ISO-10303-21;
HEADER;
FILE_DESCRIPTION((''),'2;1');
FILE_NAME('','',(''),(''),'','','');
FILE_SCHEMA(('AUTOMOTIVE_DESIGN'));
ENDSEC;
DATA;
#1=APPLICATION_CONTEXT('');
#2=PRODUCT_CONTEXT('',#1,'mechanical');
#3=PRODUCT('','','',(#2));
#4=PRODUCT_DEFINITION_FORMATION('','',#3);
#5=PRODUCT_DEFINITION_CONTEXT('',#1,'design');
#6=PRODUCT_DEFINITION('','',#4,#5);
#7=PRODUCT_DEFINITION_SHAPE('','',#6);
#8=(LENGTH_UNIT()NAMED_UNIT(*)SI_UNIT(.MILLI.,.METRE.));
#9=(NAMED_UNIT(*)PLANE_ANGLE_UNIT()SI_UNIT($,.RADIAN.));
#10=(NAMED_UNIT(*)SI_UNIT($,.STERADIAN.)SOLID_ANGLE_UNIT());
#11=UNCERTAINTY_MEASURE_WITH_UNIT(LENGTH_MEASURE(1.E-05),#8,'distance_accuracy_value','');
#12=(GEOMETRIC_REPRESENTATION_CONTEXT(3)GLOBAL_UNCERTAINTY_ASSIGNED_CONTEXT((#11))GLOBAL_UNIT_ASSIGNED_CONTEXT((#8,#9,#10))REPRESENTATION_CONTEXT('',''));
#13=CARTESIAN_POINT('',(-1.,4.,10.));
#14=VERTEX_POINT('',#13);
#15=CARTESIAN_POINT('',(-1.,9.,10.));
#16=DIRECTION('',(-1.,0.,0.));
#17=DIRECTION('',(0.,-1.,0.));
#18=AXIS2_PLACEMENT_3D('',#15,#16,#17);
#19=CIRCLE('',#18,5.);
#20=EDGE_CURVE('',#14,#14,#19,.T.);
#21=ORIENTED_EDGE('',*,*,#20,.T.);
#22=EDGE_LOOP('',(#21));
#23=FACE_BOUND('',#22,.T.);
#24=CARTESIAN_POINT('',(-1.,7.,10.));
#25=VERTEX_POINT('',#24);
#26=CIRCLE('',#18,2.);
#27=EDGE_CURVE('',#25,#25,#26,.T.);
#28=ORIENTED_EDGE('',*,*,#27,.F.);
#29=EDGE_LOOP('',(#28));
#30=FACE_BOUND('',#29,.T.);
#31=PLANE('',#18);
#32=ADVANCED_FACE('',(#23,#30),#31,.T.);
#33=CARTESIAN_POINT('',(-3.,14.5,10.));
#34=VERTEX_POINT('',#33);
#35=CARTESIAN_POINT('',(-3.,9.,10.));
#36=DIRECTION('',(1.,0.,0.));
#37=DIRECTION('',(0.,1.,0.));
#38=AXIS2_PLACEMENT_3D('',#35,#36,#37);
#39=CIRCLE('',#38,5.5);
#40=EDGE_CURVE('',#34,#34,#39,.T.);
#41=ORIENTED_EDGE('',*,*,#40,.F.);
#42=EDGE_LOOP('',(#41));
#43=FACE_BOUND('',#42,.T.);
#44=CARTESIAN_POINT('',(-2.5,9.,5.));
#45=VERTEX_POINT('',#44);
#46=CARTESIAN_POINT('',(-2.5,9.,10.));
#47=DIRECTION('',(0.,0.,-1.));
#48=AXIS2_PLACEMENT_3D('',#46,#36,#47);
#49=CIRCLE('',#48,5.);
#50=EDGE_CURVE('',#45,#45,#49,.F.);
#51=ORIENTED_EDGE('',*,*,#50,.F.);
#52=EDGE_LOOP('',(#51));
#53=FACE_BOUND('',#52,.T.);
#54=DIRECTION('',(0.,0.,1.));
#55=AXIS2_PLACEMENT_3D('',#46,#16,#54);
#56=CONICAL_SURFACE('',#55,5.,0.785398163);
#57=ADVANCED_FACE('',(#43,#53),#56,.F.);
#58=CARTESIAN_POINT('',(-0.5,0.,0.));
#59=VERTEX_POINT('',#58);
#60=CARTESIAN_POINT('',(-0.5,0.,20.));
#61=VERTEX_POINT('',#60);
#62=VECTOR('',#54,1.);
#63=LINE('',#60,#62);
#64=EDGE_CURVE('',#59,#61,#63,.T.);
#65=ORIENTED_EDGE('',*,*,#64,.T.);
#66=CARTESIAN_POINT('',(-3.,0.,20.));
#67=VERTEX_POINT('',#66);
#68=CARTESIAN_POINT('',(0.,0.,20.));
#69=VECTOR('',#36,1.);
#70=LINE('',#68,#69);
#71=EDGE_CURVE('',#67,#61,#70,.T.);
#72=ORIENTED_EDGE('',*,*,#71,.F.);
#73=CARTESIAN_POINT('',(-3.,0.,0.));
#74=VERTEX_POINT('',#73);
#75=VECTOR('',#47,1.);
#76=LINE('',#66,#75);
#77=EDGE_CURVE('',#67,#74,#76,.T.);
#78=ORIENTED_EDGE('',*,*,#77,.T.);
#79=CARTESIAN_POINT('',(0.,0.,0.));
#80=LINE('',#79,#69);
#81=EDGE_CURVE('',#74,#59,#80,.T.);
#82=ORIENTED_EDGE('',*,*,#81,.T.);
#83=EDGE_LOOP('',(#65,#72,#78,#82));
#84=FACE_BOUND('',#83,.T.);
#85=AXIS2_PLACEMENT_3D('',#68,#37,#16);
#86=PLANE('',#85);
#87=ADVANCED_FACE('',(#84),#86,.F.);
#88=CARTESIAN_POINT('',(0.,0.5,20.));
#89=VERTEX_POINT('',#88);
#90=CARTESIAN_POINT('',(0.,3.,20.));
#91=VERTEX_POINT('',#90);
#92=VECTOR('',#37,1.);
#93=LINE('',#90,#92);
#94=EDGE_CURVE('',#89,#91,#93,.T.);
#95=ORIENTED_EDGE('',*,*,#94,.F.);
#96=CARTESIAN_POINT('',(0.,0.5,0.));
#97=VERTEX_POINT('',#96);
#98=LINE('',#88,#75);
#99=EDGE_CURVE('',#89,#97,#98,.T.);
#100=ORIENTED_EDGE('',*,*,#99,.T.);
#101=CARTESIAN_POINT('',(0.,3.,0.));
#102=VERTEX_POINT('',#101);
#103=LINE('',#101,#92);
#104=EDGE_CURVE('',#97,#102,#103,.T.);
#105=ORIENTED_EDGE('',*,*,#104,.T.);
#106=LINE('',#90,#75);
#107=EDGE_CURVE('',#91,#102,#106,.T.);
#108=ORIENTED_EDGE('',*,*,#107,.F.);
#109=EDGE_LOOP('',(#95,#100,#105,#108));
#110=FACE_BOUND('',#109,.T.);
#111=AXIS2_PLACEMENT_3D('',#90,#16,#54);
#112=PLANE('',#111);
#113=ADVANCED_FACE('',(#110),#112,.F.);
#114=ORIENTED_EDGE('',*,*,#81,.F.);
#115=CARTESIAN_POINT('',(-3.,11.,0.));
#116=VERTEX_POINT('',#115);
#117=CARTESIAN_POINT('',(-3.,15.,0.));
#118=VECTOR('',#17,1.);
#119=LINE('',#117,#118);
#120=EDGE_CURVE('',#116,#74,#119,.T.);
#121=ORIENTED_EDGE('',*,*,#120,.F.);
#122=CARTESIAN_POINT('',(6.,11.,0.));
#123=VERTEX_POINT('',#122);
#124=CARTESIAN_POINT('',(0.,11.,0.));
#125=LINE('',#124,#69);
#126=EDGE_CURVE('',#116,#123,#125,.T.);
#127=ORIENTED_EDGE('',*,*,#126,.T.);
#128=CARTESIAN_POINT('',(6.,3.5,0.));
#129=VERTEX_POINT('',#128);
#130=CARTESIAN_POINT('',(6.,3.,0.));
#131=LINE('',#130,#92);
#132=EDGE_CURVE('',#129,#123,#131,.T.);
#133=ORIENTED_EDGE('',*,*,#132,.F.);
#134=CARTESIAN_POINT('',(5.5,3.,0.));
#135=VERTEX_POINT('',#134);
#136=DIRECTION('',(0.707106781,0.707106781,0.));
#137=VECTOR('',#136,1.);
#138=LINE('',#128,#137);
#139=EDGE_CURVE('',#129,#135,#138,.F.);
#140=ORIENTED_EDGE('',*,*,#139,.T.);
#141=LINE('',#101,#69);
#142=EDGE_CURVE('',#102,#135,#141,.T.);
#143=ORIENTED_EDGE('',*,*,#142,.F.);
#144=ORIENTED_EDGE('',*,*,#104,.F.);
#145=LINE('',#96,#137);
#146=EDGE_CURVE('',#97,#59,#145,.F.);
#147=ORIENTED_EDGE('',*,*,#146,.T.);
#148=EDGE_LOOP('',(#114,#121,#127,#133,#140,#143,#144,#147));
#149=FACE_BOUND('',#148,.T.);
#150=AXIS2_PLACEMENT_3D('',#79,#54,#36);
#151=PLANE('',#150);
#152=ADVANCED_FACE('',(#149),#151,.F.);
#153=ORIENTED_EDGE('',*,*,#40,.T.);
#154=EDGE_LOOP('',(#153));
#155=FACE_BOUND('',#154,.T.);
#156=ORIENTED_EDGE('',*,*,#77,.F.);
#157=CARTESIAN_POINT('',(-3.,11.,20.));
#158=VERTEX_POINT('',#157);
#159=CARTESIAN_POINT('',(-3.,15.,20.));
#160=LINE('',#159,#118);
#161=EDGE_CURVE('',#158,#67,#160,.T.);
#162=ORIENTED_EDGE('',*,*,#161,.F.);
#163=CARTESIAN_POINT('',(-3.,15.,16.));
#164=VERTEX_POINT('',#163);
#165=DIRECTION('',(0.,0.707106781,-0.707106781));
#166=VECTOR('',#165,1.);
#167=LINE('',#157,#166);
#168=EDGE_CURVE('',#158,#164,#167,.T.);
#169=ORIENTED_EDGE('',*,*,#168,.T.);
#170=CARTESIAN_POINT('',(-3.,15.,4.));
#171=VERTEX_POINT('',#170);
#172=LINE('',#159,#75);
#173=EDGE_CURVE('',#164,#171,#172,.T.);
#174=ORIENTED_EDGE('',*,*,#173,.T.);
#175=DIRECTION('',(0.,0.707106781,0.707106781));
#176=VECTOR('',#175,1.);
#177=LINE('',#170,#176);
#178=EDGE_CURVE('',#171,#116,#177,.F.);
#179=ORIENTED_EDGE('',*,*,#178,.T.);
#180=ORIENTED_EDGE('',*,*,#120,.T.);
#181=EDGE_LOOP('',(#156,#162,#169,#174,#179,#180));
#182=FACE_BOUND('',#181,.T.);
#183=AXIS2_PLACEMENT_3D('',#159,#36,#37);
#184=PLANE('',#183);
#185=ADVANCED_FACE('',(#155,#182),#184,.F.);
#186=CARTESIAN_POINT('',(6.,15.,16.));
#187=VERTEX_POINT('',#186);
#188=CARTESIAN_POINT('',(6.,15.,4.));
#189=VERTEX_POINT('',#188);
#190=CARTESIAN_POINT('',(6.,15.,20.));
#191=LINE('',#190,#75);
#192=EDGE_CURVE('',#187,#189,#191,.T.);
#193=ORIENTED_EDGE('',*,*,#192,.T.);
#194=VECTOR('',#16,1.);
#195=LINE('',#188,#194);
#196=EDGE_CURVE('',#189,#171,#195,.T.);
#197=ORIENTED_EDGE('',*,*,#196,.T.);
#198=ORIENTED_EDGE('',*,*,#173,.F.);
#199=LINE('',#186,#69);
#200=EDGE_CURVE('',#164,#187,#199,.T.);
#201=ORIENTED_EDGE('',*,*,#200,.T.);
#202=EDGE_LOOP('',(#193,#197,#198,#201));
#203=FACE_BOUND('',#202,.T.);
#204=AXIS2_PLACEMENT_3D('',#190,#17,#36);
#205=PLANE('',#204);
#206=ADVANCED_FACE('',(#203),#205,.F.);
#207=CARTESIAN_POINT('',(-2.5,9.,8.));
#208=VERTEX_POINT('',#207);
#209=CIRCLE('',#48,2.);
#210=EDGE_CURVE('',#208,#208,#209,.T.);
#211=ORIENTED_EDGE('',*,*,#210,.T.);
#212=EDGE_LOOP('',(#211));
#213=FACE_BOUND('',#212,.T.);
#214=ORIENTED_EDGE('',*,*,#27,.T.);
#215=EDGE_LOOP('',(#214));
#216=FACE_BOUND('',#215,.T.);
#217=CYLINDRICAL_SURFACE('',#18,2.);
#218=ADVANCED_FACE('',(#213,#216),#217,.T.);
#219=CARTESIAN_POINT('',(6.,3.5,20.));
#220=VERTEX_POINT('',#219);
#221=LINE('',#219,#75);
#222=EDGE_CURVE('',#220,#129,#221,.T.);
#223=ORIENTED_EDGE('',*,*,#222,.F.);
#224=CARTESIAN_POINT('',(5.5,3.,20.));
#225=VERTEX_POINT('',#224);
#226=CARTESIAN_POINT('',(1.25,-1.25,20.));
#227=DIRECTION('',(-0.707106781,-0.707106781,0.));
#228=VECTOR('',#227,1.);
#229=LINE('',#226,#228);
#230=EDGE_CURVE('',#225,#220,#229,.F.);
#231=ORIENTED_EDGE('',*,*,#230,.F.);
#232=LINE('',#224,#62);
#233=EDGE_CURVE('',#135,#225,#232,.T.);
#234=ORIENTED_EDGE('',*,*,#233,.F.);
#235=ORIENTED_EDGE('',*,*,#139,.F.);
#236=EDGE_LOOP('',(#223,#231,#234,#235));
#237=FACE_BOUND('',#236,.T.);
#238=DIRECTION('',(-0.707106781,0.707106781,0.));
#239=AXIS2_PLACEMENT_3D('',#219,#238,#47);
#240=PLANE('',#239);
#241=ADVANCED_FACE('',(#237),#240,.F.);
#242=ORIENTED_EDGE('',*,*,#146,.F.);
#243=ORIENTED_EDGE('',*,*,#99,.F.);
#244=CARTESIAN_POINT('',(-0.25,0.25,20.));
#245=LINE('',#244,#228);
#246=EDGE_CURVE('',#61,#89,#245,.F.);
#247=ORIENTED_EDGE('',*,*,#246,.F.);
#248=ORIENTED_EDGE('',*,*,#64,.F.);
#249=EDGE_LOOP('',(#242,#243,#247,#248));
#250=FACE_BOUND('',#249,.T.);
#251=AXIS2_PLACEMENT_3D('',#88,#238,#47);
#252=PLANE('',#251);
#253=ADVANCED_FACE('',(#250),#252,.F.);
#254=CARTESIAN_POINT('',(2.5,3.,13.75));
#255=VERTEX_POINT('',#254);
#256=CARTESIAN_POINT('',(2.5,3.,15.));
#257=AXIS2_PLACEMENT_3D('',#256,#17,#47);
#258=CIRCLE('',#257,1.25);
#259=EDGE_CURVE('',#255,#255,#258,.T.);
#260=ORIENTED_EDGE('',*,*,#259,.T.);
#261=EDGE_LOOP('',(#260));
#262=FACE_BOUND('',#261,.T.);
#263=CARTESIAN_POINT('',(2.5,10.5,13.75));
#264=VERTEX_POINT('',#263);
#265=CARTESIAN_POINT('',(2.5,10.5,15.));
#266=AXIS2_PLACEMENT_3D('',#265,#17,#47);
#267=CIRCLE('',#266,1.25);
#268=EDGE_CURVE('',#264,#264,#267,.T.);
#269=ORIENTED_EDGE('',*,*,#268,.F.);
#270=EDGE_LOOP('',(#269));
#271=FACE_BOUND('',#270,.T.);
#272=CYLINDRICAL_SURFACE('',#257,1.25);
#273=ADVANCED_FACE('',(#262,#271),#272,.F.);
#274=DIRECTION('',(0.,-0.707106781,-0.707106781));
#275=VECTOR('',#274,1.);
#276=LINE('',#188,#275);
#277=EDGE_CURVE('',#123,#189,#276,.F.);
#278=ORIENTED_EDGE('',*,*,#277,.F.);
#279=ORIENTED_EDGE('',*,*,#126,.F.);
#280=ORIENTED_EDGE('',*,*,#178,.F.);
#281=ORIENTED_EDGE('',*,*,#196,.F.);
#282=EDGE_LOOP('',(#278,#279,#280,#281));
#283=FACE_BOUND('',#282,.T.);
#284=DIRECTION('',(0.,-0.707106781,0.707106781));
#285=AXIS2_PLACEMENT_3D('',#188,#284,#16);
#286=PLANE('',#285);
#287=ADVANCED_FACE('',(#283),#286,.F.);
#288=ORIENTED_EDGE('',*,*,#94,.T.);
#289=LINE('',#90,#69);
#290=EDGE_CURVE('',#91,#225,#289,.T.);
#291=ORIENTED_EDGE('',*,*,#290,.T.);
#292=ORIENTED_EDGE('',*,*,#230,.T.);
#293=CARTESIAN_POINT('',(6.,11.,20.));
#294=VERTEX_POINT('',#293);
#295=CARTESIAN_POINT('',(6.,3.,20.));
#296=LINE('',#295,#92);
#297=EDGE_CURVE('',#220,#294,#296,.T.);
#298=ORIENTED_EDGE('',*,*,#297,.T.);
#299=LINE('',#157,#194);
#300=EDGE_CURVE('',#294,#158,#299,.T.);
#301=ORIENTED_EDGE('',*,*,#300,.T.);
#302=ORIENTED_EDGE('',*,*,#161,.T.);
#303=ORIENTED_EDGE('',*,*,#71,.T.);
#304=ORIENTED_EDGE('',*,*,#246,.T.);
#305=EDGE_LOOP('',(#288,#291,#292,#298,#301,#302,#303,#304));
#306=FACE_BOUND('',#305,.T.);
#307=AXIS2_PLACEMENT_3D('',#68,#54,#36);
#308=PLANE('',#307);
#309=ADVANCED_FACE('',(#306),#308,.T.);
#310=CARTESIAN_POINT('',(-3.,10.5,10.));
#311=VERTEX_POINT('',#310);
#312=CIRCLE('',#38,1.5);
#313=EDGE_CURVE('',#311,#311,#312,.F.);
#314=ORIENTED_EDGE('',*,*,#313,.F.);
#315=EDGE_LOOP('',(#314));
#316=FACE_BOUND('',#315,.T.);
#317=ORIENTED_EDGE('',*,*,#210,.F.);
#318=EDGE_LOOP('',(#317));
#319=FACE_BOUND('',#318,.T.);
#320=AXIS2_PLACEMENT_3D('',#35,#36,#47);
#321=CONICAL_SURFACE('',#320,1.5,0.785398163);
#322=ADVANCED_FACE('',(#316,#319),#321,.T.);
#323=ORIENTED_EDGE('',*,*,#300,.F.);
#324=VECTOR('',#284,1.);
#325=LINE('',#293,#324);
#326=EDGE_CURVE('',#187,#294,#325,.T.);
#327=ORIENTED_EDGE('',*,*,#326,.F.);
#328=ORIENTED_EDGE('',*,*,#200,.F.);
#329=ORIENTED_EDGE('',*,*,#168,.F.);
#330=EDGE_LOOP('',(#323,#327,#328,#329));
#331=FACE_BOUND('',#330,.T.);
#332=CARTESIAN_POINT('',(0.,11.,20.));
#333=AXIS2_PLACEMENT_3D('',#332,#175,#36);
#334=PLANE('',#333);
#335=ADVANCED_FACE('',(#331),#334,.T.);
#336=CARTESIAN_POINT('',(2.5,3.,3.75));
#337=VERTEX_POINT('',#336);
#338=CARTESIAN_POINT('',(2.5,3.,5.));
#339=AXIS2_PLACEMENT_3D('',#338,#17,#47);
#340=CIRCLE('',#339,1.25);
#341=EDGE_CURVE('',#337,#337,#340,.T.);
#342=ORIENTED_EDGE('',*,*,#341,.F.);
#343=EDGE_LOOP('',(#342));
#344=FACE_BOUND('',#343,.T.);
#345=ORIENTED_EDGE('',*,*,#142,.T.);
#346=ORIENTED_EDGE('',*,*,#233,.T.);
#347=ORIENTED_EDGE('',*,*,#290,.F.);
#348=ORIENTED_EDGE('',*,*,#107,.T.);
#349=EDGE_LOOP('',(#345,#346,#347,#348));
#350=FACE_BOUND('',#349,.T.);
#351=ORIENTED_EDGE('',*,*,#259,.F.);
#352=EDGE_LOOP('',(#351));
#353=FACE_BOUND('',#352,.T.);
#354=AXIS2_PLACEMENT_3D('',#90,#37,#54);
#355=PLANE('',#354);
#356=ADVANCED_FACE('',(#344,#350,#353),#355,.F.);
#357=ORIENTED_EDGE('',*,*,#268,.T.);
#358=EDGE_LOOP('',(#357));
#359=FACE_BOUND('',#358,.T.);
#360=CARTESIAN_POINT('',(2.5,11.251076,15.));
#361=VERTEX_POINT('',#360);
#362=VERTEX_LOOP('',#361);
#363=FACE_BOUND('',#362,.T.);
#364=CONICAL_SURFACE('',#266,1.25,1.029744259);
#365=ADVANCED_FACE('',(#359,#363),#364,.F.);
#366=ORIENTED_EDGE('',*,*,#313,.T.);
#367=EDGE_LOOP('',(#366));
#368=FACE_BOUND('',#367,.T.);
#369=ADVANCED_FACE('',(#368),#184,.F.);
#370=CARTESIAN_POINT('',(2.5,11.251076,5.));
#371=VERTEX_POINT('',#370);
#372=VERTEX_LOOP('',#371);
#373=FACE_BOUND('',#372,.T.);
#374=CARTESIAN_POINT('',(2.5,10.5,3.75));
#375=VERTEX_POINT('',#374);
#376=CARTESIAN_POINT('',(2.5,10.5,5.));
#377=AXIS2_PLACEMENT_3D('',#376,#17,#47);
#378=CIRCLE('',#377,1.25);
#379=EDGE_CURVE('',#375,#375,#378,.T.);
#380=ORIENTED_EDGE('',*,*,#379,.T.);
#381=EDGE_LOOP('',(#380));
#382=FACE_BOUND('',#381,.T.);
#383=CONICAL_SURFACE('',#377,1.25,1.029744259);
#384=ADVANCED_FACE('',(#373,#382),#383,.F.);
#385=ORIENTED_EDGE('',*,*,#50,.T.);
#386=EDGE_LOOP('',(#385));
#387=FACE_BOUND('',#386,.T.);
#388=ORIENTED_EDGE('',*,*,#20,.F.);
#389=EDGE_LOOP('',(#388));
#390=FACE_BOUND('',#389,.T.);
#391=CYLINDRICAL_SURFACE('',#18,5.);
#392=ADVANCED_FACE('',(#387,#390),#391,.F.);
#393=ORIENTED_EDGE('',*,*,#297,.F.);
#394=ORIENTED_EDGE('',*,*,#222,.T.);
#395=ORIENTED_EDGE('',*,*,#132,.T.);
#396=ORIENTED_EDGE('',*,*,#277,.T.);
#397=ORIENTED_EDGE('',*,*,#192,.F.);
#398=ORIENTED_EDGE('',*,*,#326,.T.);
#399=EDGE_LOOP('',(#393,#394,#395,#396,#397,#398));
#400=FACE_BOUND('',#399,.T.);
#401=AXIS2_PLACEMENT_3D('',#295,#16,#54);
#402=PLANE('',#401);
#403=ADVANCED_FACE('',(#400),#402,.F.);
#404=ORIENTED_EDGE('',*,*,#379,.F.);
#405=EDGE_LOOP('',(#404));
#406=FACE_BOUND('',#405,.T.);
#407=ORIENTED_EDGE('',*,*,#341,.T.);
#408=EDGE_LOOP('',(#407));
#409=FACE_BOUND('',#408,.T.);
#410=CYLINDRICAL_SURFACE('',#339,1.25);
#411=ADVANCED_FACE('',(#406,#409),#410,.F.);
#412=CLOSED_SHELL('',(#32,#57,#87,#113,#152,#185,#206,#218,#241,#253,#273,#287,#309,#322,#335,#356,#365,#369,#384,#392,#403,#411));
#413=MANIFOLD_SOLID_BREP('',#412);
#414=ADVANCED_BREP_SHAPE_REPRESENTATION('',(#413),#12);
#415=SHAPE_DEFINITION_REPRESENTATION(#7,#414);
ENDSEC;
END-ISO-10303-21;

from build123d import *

# Parameters (mm, degrees)
EXTRUDE_1_DEPTH        = 20
SKETCH_6_R             = 5
SKETCH_6_R_2           = 2
CUT_EXTRUDE_2_DEPTH    = 2
CHAMFER_2_SIZE         = 4
CHAMFER_3_SIZE         = 0.5
HOLE_WIZARD_M3_1_D     = 2.5
HOLE_WIZARD_M3_1_DEPTH = 7.5
HOLE_WIZARD_M3_1_TIP   = 0.751075774


with BuildPart() as part:
    # 草图1 → 凸台-拉伸1 (new body)
    with BuildSketch(Plane.XY):
        Polygon((0, 3), (0, 0), (-3, 0), (-3, 15), (6, 15), (6, 3), align=None)
    extrude(amount=EXTRUDE_1_DEPTH)

    # 草图6 → 切除-拉伸2 (cut)
    with BuildSketch(Plane.ZY.offset(3)):
        with Locations(Location((10, 9, 0), (0, 0, 270))):
            Circle(SKETCH_6_R)
        with Locations(Location((10, 9, 0), (0, 0, 270))):
            Circle(SKETCH_6_R_2, mode=Mode.SUBTRACT)
    extrude(amount=-CUT_EXTRUDE_2_DEPTH, mode=Mode.SUBTRACT)

    # 倒角2
    chamfer_2_edges = [part.edges().sort_by_distance(p)[0] for p in [
        (1.5, 15, 20),
        (1.5, 15, 0),
    ]]
    chamfer(chamfer_2_edges, length=CHAMFER_2_SIZE)

    # 倒角3
    chamfer_3_edges = [part.edges().sort_by_distance(p)[0] for p in [
        (6, 3, 10),
        (0, 0, 10),
        (-3, 14, 10),
        (-3, 11, 10),
    ]]
    chamfer(chamfer_3_edges, length=CHAMFER_3_SIZE)

    # M3 螺纹孔1
    with Locations(Plane(origin=(0, 3, 0), x_dir=(-1, 0, 0), z_dir=(0, -1, 0))):
        with Locations((-2.5, -5), (-2.5, -15)):
            Hole(HOLE_WIZARD_M3_1_D / 2, depth=HOLE_WIZARD_M3_1_DEPTH)
            with Locations((0, 0, -(HOLE_WIZARD_M3_1_DEPTH + HOLE_WIZARD_M3_1_TIP / 2))):  # 118° drill point
                Cone(0, HOLE_WIZARD_M3_1_D / 2, HOLE_WIZARD_M3_1_TIP, mode=Mode.SUBTRACT)


solid = part.part
